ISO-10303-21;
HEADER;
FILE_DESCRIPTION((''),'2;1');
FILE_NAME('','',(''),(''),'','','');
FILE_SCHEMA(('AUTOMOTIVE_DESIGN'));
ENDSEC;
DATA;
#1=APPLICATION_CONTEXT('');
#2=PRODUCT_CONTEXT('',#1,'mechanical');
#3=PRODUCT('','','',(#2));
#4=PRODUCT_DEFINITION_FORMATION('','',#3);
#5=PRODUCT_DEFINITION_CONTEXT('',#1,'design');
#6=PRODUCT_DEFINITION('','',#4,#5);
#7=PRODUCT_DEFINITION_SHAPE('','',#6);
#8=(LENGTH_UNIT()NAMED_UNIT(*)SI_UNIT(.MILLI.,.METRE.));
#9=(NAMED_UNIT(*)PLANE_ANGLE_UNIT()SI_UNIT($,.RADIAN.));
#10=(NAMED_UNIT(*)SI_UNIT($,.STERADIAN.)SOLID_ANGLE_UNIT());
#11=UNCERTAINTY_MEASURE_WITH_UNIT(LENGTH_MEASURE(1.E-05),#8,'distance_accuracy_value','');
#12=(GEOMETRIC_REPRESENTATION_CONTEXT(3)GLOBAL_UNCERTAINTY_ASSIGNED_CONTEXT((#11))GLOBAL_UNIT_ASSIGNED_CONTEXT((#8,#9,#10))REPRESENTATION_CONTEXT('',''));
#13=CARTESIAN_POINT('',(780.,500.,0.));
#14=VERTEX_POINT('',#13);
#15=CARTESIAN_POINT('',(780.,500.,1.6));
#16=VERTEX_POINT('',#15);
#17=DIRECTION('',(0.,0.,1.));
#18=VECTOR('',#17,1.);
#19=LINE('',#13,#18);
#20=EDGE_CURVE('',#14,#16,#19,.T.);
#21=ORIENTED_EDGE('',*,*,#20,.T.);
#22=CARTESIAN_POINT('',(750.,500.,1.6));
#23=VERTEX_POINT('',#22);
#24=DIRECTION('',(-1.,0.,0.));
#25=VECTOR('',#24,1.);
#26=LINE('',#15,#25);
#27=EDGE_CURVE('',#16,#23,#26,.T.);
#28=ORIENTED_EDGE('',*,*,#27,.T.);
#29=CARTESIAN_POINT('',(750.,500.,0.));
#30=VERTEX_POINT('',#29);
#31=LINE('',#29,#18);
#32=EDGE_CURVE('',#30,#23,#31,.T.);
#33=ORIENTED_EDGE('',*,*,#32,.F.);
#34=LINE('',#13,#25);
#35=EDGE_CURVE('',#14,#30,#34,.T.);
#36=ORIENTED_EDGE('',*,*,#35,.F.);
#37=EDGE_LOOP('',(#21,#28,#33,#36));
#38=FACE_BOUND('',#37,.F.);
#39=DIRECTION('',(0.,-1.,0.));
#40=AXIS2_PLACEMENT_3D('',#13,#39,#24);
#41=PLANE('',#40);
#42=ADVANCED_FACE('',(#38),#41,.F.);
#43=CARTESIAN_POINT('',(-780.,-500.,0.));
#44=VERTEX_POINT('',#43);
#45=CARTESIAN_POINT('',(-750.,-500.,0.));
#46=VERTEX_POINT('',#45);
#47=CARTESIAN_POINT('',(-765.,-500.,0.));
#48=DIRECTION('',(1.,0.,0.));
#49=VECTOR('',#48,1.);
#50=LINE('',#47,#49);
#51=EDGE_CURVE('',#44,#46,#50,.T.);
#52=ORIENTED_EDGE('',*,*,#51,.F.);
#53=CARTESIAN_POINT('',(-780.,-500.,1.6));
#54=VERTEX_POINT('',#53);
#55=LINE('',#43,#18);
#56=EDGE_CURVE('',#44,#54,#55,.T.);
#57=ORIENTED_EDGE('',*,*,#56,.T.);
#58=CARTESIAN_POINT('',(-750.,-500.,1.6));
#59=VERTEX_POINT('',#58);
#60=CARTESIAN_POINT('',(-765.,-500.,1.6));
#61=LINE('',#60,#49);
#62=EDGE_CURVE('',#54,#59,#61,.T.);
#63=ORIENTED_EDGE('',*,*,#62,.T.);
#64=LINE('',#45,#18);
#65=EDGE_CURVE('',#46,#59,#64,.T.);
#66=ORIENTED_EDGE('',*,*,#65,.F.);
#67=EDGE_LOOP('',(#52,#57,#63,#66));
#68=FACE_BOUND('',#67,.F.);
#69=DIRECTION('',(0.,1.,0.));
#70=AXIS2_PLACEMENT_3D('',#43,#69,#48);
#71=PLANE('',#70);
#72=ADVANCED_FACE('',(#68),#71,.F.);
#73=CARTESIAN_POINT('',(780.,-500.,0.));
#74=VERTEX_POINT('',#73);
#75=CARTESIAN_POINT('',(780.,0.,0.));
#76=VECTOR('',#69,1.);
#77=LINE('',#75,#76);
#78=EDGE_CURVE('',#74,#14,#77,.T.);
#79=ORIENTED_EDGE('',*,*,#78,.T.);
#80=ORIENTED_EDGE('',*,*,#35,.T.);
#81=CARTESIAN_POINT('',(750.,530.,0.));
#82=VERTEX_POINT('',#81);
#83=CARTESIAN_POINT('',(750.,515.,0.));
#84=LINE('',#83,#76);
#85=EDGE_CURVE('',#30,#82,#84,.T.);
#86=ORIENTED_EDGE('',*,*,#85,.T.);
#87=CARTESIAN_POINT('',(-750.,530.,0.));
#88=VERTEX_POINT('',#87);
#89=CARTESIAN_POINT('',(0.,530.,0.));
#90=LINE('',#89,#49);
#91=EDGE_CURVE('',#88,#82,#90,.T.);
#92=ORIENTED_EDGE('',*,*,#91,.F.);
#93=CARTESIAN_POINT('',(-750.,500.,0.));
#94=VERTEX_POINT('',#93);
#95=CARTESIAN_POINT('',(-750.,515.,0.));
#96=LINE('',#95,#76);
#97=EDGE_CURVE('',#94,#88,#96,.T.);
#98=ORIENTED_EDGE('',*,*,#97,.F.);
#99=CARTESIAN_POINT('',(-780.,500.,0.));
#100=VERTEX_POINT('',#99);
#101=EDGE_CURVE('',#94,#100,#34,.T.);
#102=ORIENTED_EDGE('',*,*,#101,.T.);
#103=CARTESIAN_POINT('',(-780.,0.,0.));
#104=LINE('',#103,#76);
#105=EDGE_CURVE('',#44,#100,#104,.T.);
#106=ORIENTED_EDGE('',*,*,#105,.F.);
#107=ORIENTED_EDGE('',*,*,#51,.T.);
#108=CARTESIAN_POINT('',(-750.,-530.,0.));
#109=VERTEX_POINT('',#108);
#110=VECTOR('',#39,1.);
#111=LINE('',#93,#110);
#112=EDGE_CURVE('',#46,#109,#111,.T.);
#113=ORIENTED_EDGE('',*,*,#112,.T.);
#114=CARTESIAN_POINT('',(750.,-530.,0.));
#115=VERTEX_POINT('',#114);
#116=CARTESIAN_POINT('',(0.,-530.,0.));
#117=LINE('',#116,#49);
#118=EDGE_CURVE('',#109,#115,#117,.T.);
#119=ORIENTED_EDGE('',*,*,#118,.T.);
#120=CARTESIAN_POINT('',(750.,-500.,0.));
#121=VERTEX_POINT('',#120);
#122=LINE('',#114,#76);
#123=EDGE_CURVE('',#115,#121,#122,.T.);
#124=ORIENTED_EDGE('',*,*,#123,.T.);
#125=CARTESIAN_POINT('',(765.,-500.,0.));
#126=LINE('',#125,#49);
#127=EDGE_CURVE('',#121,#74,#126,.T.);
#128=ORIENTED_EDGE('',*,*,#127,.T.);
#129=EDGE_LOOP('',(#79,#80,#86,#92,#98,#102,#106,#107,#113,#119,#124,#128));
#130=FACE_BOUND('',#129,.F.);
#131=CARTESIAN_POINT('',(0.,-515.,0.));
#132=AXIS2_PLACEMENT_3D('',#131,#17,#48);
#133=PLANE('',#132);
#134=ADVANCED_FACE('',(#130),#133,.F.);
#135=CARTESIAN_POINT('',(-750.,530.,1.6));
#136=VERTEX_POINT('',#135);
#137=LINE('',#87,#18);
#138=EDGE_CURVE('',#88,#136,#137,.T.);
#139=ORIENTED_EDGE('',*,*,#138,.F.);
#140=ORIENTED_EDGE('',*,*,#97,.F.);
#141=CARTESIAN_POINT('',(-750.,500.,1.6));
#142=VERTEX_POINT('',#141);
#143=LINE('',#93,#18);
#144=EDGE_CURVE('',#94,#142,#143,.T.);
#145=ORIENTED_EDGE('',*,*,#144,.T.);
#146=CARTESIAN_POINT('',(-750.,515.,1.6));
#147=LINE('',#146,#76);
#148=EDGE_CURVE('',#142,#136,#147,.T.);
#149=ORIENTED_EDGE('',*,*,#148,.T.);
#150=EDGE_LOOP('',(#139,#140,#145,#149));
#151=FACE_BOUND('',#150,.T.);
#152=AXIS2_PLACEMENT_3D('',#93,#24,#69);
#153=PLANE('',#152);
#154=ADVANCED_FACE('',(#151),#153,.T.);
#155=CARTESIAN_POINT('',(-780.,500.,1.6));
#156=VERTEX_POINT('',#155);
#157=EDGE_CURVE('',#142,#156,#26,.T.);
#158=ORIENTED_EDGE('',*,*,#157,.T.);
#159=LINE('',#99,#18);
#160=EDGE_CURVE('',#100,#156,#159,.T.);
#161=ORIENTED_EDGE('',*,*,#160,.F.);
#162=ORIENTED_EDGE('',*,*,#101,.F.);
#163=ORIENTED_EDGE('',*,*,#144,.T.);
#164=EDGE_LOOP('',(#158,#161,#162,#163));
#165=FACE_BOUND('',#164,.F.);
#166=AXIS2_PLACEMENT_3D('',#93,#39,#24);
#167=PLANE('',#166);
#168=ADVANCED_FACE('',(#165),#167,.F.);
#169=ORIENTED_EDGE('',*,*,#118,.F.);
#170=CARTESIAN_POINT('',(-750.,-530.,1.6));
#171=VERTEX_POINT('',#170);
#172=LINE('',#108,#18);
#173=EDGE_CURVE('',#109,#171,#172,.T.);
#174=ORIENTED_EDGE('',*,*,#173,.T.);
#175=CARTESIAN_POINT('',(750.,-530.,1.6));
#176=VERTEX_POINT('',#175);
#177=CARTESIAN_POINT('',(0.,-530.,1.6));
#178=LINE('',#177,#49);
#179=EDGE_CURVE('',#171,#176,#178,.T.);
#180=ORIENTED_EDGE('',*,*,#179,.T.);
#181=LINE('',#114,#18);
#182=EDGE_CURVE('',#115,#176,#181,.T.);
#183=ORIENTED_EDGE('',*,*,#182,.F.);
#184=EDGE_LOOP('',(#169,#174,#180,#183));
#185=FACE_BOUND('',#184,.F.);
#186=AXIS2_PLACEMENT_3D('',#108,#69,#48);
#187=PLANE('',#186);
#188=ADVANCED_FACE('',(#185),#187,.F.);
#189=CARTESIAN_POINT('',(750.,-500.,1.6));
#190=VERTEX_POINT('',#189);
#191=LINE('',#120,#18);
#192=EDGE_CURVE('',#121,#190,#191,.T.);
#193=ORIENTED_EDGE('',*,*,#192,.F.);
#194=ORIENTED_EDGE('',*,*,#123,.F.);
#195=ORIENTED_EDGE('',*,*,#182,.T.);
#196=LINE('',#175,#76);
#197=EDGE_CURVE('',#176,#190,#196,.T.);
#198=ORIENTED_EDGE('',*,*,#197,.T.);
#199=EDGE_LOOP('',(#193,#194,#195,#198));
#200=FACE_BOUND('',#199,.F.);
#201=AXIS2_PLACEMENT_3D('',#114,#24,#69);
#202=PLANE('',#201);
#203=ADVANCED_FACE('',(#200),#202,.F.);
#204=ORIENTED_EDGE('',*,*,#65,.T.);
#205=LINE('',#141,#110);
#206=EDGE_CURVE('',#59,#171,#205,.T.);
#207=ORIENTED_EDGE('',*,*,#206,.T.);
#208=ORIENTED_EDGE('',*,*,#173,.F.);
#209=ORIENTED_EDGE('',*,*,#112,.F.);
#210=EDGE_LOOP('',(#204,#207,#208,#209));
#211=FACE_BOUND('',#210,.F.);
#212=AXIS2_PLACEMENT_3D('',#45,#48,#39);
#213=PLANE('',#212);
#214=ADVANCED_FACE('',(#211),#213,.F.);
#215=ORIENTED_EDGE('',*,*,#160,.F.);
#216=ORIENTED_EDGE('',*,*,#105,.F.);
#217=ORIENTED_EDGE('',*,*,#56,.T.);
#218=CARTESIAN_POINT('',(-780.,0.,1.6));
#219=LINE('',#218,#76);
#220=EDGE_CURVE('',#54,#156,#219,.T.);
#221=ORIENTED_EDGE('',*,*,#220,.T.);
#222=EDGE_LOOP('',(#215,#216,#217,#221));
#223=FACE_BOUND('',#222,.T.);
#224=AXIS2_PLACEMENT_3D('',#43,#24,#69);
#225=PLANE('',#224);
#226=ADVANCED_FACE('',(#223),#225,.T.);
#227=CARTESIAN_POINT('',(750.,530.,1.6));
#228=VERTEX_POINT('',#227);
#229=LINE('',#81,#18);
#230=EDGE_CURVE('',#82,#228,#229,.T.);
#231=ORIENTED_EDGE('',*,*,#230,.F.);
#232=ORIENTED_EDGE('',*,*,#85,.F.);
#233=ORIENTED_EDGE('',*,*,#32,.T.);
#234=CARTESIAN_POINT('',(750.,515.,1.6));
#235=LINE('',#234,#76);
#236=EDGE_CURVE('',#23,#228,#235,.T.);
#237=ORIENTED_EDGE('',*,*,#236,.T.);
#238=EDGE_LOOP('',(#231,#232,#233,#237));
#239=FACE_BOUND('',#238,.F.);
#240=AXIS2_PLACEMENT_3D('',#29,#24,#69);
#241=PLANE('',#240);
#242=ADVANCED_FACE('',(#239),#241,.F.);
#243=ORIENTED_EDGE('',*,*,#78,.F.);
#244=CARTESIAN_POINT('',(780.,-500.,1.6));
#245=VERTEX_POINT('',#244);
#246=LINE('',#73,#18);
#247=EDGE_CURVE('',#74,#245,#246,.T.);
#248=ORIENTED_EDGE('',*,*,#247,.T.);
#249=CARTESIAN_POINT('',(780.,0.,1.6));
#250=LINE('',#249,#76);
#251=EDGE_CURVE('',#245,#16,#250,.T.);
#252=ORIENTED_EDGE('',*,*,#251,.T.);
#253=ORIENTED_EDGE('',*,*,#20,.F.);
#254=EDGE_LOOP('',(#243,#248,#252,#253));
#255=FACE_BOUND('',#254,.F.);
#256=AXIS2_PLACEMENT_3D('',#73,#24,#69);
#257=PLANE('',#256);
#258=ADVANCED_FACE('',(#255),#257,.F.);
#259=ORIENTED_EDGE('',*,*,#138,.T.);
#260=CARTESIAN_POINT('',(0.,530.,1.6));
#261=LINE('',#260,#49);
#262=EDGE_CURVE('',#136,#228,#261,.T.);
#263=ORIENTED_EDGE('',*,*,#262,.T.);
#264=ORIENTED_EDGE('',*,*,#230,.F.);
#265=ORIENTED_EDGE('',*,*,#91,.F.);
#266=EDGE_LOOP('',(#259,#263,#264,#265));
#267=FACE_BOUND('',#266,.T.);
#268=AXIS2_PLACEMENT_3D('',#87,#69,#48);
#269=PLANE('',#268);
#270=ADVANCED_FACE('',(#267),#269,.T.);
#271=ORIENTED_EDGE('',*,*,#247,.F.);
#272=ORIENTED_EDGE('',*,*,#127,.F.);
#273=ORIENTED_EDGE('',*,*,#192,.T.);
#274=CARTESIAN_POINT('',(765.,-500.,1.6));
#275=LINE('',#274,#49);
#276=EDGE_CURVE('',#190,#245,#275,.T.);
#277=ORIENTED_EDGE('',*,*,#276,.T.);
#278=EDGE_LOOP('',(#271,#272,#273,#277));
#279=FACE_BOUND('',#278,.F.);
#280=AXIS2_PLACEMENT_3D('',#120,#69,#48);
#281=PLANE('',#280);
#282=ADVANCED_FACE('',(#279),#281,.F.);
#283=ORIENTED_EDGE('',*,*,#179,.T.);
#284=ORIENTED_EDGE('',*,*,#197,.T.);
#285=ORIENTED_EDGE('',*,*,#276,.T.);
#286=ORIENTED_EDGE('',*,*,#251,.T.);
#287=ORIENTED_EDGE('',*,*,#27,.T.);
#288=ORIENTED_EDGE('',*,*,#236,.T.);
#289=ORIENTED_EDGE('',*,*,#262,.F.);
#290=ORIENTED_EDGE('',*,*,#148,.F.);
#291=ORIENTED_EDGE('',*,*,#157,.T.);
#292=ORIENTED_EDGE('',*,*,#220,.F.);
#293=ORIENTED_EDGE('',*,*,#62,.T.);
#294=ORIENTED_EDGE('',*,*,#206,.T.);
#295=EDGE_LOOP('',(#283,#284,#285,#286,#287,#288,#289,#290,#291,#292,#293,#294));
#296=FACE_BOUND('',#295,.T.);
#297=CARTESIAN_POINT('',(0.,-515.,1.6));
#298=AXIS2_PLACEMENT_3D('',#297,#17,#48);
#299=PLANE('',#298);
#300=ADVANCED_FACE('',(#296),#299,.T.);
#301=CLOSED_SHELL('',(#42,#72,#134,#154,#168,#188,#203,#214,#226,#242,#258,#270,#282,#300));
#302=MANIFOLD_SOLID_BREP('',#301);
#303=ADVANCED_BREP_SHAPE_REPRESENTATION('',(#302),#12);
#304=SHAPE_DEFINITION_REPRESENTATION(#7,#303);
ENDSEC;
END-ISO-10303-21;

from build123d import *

# Parameters (mm, degrees)
F0_W     = 1500
F0_H     = 30
F0_H_2   = 1000
F0_W_2   = 30
F1_DEPTH = 1.6


with BuildPart() as f1:
    # F0 (on Top) → F1 (new body)
    with BuildSketch(Plane.XY):
        with Locations((0, -515)):
            Rectangle(F0_W, F0_H)
        Rectangle(F0_W, F0_H_2)
        with Locations((765, 0)):
            Rectangle(F0_W_2, F0_H_2)
        with Locations((-765, 0)):
            Rectangle(F0_W_2, F0_H_2)
        with Locations((0, 515)):
            Rectangle(F0_W, F0_H)
    extrude(amount=F1_DEPTH)


solid = f1.part
